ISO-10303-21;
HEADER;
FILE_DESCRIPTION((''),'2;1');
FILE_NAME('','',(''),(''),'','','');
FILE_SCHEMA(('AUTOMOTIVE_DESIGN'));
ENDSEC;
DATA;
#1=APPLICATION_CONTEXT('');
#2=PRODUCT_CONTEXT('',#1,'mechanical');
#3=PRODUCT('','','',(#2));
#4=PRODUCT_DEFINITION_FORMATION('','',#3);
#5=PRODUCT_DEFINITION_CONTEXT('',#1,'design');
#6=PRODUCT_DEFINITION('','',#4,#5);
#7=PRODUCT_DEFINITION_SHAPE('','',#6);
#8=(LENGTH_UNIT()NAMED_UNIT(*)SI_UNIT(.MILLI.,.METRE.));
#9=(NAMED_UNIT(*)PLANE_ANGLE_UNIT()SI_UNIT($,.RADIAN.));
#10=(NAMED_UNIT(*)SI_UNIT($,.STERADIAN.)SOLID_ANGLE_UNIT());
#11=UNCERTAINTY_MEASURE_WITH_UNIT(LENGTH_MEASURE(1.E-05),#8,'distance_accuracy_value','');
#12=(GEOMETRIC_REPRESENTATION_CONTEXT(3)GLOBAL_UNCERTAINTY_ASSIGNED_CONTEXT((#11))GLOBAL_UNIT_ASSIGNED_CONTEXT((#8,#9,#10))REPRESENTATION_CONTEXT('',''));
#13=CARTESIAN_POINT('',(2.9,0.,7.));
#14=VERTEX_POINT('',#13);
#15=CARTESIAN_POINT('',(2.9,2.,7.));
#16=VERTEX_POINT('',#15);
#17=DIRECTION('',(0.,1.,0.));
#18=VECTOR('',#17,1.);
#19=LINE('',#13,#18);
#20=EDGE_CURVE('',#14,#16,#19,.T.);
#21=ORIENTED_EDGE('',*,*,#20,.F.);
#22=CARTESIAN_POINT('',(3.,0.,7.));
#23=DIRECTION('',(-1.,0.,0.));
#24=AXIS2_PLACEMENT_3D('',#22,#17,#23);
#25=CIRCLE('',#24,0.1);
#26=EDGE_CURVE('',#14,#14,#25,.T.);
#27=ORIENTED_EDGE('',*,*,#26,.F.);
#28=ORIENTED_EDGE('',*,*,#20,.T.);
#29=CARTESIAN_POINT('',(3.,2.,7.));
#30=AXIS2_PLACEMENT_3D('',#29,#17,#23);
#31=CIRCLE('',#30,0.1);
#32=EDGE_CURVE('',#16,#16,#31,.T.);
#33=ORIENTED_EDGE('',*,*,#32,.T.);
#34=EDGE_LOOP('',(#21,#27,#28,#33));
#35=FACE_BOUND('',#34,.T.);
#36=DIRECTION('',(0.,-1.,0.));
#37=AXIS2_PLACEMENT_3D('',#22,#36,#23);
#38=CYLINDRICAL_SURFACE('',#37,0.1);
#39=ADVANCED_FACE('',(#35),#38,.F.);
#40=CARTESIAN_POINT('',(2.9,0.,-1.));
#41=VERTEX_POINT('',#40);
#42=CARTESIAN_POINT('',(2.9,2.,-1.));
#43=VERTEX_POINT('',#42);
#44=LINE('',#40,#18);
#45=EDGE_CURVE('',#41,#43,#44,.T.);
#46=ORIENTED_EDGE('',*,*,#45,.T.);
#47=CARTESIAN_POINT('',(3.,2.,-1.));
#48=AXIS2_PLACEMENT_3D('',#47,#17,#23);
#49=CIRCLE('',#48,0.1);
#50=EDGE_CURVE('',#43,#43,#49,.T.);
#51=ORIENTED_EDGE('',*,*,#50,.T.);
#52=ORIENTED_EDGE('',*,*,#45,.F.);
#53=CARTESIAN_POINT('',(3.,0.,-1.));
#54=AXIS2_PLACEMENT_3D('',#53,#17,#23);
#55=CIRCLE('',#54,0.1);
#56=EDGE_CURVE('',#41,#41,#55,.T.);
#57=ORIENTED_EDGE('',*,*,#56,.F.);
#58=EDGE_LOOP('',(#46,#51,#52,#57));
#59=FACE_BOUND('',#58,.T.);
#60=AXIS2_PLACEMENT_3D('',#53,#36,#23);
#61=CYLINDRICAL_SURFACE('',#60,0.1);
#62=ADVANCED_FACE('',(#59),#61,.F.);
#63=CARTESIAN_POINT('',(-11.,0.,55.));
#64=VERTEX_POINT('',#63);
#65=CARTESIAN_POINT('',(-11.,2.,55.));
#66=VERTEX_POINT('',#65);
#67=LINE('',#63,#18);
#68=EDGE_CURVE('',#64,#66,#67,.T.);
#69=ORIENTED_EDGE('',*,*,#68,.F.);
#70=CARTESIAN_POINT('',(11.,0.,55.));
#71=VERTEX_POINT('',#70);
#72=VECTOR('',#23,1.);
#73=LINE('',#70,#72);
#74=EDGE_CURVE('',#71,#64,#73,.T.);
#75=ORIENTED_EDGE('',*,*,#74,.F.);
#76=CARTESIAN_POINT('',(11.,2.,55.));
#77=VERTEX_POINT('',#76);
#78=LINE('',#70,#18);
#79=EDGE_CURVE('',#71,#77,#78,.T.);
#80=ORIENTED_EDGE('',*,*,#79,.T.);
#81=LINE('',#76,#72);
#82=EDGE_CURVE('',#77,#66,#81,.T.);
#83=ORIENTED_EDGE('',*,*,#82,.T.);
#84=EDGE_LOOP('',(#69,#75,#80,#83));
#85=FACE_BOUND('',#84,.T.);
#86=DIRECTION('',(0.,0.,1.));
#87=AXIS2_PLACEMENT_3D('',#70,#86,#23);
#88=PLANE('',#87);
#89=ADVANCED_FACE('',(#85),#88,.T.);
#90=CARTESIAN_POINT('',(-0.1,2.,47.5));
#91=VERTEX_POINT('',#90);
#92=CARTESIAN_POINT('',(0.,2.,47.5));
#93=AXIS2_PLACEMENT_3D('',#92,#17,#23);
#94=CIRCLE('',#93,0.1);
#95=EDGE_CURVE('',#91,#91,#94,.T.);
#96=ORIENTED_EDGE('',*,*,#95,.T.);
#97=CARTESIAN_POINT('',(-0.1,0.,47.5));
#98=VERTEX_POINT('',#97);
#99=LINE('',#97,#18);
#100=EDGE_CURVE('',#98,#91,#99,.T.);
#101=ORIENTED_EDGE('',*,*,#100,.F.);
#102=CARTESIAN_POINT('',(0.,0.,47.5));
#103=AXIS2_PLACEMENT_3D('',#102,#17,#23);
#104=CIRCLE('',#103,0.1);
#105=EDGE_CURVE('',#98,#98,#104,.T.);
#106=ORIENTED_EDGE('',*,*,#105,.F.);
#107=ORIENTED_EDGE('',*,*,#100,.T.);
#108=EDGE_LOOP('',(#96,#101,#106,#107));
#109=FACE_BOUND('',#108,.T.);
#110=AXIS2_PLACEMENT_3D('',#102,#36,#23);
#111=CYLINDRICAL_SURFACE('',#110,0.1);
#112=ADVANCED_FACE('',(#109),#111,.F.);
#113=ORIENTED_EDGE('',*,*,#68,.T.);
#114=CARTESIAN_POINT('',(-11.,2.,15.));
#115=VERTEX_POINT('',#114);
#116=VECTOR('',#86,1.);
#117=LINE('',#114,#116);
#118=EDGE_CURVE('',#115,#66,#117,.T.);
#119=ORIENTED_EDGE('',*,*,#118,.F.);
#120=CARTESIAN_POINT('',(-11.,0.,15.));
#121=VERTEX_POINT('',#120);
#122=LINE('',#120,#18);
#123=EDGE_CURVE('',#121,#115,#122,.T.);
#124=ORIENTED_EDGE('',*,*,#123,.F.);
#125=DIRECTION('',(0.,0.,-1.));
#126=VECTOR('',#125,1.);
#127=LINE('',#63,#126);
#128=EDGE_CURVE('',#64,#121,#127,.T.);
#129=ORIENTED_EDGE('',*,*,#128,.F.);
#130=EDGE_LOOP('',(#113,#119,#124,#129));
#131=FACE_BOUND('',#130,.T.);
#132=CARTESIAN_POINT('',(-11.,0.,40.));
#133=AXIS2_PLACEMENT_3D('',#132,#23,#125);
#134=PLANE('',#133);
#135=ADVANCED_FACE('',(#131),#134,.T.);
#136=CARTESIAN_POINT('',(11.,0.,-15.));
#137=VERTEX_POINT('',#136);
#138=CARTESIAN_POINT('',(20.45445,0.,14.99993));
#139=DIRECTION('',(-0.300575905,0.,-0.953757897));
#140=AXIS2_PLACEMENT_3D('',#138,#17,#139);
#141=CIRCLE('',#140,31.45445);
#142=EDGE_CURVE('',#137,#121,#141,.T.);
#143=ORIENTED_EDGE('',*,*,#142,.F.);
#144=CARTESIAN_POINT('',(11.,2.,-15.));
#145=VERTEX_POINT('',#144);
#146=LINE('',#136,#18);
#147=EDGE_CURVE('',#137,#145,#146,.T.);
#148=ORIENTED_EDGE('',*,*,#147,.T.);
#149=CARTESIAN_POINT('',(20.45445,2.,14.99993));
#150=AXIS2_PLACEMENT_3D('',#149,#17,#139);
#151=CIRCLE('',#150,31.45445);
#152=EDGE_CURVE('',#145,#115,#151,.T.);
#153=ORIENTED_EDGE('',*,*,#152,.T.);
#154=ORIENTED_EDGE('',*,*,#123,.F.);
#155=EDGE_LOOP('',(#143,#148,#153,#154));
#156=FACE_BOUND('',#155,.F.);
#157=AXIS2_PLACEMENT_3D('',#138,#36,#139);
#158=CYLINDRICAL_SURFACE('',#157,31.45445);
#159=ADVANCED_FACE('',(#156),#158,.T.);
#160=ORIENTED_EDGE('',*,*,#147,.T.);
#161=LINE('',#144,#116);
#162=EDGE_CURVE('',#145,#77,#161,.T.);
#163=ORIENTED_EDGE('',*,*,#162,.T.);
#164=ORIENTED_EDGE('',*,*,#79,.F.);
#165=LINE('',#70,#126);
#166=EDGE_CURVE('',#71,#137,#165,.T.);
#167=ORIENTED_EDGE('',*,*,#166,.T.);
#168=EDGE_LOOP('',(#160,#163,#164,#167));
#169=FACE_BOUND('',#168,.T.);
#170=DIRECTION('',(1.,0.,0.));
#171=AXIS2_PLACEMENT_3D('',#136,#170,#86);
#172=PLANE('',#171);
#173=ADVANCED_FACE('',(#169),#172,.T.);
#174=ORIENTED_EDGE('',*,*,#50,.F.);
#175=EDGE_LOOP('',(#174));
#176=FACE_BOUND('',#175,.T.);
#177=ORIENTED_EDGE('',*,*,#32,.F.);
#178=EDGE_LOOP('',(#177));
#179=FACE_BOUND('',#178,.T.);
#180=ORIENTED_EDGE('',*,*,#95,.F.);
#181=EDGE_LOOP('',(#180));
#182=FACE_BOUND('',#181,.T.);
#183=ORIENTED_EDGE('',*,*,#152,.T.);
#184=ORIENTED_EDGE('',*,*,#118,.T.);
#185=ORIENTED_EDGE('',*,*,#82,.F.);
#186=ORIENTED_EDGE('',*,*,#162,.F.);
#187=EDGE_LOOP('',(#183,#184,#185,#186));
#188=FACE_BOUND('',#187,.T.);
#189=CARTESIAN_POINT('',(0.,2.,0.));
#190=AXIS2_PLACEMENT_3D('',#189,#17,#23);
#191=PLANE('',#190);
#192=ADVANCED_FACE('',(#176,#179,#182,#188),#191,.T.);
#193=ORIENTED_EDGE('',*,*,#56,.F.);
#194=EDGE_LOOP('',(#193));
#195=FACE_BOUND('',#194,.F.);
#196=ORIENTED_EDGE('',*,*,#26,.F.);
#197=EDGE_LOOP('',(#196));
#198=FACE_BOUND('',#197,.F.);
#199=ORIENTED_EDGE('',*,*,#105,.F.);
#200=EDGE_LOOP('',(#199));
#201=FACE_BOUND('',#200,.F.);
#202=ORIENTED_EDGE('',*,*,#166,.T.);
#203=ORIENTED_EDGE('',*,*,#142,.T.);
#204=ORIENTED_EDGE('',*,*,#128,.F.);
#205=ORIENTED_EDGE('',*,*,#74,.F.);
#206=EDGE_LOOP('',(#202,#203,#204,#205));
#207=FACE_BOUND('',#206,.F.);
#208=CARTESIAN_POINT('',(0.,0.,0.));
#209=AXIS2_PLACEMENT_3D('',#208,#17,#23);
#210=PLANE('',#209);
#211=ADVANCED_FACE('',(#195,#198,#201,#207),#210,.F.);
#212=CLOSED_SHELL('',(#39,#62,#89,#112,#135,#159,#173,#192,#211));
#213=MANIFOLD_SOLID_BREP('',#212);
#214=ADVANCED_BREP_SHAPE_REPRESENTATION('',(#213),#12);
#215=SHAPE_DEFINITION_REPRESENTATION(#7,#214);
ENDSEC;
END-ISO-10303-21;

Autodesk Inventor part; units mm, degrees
ref_plane "YZ Plane" through (0, 0, 0) normal (1, 0, 0) x (0, 1, 0)
ref_plane "XZ Plane" through (0, 0, 0) normal (0, 1, 0) x (-1, 0, 0)
ref_plane "XY Plane" through (0, 0, 0) normal (0, 0, 1) x (1, 0, 0)
sketch "Sketch1" plane through (0, 0, 0) normal (0, 1, 0) x (-1, 0, 0)
  line L0 (-11, -15) -> (-11, 15)
  line L1 (-11, 15) -> (11, 15)
  arc A0 (-11, -15) -> (11, 15) centre (-20.4545, 15) ccw
  line L2 (11, 15) -> (-11, 15)
  line L3 (-11, 15) -> (-11, 40)
  line L4 (-11, 40) -> (11, 40)
  line L5 (11, 40) -> (11, 15)
  line L6 (11, 40) -> (-11, 40)
  line L7 (-11, 40) -> (-11, 55)
  line L8 (-11, 55) -> (11, 55)
  line L9 (11, 55) -> (11, 40)
  circle A1 centre (0, 47.5) radius 0.1
  line L10 (-11, 15) -> (-3, 15)
  circle A2 centre (-3, 7) radius 0.1
  circle A3 centre (-3, -1) radius 0.1
  dimension "d0" = 22
  dimension "d1" = 30
  dimension "d2" = 25
  dimension "d3" = 15
  dimension "d4" = 0.2
  dimension "d5" = 8
  dimension "d8" = 0.2
  dimension "d10" = 0.2
extrude "Extrusion1" add sketch "Sketch1" along normal blind 2
properties part number "drzak_buzirka1"
